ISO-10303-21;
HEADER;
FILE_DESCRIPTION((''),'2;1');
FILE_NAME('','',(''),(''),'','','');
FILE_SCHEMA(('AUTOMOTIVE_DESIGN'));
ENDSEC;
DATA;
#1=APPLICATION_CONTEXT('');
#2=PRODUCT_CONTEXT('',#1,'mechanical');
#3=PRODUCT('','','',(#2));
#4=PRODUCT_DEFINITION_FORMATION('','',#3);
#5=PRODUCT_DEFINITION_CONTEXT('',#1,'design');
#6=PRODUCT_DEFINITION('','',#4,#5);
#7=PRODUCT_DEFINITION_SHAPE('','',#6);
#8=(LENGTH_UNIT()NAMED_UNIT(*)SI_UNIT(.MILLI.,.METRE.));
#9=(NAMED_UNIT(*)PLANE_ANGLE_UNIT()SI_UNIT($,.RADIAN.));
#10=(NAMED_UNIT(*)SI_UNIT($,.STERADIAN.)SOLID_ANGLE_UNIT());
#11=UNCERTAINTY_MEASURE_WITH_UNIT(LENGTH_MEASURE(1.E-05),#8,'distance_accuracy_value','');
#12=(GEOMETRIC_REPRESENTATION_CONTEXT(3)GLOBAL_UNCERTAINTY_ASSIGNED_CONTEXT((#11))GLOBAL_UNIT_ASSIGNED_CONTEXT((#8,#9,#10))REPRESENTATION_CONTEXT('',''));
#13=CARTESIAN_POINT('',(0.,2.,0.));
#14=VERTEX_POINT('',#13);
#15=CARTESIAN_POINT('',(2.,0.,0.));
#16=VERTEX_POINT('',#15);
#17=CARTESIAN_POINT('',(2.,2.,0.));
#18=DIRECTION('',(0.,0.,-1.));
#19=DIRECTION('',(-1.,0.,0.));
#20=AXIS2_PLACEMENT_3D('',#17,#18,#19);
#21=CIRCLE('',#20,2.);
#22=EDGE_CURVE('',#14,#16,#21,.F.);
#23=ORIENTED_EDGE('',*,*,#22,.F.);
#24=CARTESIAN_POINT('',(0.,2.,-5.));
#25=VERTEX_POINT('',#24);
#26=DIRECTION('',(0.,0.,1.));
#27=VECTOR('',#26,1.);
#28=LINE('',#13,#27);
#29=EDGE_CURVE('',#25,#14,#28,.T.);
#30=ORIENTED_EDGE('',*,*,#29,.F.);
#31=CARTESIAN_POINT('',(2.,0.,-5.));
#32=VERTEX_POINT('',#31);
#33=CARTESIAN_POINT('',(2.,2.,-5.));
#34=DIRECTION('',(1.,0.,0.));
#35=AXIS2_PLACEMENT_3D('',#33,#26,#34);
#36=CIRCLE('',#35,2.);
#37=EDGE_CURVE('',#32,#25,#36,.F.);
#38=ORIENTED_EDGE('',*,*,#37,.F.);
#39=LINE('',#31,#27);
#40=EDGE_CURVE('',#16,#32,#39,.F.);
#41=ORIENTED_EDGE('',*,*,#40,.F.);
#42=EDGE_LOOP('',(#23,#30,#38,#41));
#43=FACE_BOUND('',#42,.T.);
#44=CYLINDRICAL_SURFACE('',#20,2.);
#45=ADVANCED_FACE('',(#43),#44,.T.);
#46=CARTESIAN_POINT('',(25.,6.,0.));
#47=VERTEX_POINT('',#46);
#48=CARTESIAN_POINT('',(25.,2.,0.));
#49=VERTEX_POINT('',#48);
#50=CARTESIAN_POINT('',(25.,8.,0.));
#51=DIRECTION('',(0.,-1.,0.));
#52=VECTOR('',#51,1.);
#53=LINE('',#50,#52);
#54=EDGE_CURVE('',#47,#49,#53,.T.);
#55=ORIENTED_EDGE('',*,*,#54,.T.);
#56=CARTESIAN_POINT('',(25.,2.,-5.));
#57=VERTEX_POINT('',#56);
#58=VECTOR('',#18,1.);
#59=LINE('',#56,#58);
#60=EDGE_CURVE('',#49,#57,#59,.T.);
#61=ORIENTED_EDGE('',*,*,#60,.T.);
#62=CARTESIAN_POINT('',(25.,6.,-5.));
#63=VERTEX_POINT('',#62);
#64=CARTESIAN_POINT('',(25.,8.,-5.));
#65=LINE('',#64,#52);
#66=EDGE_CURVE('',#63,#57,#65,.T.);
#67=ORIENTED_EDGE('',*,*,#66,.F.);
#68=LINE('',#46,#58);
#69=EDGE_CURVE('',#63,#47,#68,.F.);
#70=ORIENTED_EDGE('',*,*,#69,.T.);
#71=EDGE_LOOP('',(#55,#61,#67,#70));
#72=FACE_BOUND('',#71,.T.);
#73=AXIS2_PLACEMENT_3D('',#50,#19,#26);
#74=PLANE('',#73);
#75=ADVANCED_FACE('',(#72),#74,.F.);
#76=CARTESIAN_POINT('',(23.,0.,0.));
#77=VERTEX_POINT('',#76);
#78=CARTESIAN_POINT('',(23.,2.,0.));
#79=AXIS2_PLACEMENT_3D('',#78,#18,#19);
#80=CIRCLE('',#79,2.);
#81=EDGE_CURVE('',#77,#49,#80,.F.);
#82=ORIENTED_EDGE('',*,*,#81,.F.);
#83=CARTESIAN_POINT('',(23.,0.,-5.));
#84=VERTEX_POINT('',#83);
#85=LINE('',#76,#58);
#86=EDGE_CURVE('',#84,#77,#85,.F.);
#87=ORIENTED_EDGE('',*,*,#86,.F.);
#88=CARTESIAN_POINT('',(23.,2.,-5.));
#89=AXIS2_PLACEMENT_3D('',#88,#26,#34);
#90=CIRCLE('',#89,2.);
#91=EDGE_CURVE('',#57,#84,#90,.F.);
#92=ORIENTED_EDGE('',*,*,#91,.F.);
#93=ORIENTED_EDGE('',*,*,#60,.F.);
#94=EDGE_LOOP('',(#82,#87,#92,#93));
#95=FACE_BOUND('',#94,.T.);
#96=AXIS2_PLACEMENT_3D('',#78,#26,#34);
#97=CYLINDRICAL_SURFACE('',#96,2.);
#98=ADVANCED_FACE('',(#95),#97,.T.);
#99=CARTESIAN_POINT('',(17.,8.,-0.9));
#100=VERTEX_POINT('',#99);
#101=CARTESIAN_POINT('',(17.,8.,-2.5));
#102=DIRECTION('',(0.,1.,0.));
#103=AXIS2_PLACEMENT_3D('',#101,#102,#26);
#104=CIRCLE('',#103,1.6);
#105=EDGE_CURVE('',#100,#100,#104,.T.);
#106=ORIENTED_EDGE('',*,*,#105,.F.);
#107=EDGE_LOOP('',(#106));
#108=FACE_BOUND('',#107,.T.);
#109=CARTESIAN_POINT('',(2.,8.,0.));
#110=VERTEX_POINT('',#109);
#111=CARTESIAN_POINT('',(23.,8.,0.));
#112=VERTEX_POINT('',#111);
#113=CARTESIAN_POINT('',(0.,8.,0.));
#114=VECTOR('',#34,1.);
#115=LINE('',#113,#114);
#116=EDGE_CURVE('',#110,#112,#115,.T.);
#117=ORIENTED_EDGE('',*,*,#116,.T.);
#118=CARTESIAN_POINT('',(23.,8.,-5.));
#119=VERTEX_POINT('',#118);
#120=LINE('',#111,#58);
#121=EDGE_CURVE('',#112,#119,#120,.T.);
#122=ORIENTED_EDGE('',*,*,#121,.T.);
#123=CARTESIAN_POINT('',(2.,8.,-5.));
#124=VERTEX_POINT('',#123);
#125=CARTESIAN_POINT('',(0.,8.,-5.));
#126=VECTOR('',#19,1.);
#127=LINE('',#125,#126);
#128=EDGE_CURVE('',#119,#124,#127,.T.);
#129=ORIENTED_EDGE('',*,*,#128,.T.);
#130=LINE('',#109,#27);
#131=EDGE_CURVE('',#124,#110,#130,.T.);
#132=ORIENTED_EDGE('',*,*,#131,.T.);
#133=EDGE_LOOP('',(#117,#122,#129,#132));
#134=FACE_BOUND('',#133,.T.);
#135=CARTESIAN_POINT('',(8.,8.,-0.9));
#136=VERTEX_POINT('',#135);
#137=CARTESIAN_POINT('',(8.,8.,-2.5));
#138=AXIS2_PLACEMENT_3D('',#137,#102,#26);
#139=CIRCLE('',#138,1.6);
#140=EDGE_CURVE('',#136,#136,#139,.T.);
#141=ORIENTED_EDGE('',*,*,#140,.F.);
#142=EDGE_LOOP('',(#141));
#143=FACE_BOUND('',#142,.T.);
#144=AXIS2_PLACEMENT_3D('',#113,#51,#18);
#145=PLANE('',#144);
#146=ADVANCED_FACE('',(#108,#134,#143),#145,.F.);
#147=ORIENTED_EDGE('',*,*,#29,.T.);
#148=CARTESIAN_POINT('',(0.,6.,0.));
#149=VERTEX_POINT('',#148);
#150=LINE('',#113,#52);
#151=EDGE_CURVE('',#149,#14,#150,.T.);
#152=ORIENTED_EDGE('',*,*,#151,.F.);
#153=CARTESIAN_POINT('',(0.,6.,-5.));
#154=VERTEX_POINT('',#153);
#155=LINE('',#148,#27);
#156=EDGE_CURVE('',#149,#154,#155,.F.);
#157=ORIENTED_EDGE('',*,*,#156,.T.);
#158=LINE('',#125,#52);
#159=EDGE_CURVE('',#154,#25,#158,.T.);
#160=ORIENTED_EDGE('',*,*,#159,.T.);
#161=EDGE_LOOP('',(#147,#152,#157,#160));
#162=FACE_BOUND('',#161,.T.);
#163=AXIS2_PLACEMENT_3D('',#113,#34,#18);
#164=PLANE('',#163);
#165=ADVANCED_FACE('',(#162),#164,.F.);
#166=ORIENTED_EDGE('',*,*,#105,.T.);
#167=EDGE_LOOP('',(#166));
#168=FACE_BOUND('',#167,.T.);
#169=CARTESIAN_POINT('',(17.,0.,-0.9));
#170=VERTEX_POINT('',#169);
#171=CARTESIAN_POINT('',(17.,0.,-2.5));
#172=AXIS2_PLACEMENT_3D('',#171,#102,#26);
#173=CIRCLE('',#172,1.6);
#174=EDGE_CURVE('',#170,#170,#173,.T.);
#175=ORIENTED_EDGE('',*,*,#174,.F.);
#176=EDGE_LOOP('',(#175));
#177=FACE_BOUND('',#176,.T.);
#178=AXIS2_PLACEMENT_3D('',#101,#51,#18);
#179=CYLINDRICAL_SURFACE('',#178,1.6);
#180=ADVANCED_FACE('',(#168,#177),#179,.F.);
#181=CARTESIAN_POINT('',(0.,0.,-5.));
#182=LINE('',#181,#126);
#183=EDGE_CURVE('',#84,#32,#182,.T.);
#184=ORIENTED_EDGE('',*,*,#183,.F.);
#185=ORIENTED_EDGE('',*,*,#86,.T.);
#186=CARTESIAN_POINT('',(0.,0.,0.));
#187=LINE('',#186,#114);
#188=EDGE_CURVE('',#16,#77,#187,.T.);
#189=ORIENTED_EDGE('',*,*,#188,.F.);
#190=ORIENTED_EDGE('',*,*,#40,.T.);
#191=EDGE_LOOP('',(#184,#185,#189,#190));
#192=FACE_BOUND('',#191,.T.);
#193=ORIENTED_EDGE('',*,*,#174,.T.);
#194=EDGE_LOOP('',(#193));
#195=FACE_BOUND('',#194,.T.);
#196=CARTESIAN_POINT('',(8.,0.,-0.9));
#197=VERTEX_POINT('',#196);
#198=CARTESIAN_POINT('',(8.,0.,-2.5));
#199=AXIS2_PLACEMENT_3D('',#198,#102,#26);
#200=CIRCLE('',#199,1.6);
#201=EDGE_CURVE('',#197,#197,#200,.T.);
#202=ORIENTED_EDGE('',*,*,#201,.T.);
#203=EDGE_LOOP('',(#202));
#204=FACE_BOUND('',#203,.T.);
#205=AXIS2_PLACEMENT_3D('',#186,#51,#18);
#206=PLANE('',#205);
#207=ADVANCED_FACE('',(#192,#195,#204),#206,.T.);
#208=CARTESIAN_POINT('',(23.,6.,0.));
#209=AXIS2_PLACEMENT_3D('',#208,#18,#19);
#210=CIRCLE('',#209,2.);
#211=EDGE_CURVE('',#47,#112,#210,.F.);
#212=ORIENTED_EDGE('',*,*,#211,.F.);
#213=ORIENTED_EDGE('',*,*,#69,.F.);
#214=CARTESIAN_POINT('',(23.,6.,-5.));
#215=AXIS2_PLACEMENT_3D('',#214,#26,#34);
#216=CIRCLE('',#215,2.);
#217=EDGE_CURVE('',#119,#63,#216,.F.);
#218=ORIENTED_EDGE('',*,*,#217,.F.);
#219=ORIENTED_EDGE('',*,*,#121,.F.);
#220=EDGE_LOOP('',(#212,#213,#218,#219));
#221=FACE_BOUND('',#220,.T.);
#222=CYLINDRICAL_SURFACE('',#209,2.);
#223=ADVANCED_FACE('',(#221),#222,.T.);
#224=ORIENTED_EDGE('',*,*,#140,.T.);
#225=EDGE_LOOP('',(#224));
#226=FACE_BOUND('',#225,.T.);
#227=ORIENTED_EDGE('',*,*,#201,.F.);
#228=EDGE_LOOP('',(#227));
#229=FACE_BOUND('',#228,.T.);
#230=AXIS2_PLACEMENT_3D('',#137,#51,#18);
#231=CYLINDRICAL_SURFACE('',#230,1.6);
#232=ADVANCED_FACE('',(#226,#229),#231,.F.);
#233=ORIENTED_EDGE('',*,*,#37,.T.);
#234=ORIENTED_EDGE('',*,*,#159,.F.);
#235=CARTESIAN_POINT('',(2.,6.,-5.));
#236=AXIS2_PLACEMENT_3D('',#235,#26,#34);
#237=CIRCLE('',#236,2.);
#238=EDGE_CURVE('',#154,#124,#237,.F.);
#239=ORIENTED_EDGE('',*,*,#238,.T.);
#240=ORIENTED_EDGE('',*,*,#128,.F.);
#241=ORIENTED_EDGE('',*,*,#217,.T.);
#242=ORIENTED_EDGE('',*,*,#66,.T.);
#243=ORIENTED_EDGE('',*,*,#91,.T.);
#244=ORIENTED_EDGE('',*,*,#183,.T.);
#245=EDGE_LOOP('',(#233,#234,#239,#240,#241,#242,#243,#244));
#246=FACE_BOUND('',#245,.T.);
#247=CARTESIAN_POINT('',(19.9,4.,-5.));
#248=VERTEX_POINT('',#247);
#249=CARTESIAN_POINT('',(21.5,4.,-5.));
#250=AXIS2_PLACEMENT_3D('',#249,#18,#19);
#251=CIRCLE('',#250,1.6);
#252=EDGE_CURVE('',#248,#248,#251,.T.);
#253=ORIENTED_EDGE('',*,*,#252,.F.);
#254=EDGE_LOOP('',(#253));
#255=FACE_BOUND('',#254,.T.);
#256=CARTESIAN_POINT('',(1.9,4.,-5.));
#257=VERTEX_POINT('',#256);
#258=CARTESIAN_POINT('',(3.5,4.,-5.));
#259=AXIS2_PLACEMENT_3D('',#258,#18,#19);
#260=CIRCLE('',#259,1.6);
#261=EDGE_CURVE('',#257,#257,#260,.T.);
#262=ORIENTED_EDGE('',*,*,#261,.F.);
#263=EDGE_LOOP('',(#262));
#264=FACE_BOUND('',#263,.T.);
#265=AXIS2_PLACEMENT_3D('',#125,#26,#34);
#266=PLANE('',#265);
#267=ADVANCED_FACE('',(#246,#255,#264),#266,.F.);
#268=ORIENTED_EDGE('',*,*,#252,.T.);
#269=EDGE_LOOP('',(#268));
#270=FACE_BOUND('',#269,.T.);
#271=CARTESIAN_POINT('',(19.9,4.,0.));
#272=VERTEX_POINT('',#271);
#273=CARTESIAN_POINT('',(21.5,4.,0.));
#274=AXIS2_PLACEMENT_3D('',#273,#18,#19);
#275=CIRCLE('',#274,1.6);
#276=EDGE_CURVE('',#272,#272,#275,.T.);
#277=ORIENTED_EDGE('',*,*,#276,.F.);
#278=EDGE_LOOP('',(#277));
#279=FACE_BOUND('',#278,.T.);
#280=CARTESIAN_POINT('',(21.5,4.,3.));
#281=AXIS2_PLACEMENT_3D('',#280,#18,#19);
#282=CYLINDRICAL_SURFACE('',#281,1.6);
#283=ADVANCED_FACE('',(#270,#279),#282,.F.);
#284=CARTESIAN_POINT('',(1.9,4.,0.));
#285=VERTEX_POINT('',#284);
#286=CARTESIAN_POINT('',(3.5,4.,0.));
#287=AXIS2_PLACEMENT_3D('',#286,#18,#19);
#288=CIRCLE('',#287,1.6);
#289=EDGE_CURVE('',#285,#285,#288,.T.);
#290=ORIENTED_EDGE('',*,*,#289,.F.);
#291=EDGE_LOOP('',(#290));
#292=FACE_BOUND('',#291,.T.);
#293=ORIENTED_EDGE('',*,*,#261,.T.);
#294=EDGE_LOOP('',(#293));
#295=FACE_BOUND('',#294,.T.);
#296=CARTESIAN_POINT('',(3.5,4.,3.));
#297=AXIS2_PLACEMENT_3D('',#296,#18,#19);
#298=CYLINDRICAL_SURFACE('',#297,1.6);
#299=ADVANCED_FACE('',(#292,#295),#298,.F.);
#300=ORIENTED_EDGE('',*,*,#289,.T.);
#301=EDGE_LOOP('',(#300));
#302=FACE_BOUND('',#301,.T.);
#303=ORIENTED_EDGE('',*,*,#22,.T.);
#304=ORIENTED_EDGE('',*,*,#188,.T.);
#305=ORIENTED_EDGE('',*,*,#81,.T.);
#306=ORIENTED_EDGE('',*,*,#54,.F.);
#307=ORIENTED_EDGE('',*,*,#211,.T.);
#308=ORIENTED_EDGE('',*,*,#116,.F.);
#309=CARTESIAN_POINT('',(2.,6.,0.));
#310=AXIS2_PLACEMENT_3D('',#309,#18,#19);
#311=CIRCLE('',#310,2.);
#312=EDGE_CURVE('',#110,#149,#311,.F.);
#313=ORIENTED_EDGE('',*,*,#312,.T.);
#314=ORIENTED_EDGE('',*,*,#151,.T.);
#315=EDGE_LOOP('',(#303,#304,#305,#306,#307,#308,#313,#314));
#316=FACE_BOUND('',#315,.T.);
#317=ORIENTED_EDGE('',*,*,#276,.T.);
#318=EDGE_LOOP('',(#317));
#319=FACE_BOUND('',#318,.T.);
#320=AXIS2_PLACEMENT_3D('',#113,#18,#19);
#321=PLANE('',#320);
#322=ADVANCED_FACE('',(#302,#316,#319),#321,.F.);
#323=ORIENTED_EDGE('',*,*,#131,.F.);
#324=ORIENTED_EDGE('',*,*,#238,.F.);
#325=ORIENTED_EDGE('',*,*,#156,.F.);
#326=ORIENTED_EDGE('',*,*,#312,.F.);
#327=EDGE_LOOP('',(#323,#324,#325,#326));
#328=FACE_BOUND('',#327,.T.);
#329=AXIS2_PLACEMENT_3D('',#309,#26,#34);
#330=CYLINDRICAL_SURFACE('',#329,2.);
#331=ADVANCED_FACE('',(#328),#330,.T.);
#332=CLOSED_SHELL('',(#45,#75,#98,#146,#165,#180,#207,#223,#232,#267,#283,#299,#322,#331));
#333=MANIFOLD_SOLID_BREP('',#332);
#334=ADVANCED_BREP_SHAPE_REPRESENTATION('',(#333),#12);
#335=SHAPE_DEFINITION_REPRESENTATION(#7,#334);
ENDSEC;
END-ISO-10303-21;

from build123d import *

# Parameters (mm, degrees)
SKETCH1_W           = 25
SKETCH1_H           = 5
SKETCH1_R           = 1.6
BOSS_EXTRUDE1_DEPTH = 8
SKETCH2_R           = 1.6
CUT_EXTRUDE1_DEPTH  = 8
FILLET1_R           = 2


with BuildPart() as part:
    # Sketch1 → Boss-Extrude1 (new body)
    with BuildSketch(Plane(origin=(0, 0, 0), x_dir=(1, 0, 0), z_dir=(0, 1, 0))):
        with Locations((12.5, 2.5)):
            Rectangle(SKETCH1_W, SKETCH1_H)
        with Locations(Location((8, 2.5, 0), (0, 0, 270))):
            Circle(SKETCH1_R, mode=Mode.SUBTRACT)
        with Locations(Location((17, 2.5, 0), (0, 0, 270))):
            Circle(SKETCH1_R, mode=Mode.SUBTRACT)
    extrude(amount=BOSS_EXTRUDE1_DEPTH)

    # Sketch2 → Cut-Extrude1 (cut)
    with BuildSketch(Plane(origin=(0, 0, -5), x_dir=(-1, 0, 0), z_dir=(0, 0, -1))):
        with Locations((-21.5, 4)):
            Circle(SKETCH2_R)
        with Locations((-3.5, 4)):
            Circle(SKETCH2_R)
    extrude(amount=-CUT_EXTRUDE1_DEPTH, mode=Mode.SUBTRACT)

    # Fillet1
    fillet1_edges = [part.edges().sort_by_distance(p)[0] for p in [
        (25, 8, -2.5),
        (0, 8, -2.5),
        (25, 0, -2.5),
        (0, 0, -2.5),
    ]]
    fillet(fillet1_edges, radius=FILLET1_R)


solid = part.part
